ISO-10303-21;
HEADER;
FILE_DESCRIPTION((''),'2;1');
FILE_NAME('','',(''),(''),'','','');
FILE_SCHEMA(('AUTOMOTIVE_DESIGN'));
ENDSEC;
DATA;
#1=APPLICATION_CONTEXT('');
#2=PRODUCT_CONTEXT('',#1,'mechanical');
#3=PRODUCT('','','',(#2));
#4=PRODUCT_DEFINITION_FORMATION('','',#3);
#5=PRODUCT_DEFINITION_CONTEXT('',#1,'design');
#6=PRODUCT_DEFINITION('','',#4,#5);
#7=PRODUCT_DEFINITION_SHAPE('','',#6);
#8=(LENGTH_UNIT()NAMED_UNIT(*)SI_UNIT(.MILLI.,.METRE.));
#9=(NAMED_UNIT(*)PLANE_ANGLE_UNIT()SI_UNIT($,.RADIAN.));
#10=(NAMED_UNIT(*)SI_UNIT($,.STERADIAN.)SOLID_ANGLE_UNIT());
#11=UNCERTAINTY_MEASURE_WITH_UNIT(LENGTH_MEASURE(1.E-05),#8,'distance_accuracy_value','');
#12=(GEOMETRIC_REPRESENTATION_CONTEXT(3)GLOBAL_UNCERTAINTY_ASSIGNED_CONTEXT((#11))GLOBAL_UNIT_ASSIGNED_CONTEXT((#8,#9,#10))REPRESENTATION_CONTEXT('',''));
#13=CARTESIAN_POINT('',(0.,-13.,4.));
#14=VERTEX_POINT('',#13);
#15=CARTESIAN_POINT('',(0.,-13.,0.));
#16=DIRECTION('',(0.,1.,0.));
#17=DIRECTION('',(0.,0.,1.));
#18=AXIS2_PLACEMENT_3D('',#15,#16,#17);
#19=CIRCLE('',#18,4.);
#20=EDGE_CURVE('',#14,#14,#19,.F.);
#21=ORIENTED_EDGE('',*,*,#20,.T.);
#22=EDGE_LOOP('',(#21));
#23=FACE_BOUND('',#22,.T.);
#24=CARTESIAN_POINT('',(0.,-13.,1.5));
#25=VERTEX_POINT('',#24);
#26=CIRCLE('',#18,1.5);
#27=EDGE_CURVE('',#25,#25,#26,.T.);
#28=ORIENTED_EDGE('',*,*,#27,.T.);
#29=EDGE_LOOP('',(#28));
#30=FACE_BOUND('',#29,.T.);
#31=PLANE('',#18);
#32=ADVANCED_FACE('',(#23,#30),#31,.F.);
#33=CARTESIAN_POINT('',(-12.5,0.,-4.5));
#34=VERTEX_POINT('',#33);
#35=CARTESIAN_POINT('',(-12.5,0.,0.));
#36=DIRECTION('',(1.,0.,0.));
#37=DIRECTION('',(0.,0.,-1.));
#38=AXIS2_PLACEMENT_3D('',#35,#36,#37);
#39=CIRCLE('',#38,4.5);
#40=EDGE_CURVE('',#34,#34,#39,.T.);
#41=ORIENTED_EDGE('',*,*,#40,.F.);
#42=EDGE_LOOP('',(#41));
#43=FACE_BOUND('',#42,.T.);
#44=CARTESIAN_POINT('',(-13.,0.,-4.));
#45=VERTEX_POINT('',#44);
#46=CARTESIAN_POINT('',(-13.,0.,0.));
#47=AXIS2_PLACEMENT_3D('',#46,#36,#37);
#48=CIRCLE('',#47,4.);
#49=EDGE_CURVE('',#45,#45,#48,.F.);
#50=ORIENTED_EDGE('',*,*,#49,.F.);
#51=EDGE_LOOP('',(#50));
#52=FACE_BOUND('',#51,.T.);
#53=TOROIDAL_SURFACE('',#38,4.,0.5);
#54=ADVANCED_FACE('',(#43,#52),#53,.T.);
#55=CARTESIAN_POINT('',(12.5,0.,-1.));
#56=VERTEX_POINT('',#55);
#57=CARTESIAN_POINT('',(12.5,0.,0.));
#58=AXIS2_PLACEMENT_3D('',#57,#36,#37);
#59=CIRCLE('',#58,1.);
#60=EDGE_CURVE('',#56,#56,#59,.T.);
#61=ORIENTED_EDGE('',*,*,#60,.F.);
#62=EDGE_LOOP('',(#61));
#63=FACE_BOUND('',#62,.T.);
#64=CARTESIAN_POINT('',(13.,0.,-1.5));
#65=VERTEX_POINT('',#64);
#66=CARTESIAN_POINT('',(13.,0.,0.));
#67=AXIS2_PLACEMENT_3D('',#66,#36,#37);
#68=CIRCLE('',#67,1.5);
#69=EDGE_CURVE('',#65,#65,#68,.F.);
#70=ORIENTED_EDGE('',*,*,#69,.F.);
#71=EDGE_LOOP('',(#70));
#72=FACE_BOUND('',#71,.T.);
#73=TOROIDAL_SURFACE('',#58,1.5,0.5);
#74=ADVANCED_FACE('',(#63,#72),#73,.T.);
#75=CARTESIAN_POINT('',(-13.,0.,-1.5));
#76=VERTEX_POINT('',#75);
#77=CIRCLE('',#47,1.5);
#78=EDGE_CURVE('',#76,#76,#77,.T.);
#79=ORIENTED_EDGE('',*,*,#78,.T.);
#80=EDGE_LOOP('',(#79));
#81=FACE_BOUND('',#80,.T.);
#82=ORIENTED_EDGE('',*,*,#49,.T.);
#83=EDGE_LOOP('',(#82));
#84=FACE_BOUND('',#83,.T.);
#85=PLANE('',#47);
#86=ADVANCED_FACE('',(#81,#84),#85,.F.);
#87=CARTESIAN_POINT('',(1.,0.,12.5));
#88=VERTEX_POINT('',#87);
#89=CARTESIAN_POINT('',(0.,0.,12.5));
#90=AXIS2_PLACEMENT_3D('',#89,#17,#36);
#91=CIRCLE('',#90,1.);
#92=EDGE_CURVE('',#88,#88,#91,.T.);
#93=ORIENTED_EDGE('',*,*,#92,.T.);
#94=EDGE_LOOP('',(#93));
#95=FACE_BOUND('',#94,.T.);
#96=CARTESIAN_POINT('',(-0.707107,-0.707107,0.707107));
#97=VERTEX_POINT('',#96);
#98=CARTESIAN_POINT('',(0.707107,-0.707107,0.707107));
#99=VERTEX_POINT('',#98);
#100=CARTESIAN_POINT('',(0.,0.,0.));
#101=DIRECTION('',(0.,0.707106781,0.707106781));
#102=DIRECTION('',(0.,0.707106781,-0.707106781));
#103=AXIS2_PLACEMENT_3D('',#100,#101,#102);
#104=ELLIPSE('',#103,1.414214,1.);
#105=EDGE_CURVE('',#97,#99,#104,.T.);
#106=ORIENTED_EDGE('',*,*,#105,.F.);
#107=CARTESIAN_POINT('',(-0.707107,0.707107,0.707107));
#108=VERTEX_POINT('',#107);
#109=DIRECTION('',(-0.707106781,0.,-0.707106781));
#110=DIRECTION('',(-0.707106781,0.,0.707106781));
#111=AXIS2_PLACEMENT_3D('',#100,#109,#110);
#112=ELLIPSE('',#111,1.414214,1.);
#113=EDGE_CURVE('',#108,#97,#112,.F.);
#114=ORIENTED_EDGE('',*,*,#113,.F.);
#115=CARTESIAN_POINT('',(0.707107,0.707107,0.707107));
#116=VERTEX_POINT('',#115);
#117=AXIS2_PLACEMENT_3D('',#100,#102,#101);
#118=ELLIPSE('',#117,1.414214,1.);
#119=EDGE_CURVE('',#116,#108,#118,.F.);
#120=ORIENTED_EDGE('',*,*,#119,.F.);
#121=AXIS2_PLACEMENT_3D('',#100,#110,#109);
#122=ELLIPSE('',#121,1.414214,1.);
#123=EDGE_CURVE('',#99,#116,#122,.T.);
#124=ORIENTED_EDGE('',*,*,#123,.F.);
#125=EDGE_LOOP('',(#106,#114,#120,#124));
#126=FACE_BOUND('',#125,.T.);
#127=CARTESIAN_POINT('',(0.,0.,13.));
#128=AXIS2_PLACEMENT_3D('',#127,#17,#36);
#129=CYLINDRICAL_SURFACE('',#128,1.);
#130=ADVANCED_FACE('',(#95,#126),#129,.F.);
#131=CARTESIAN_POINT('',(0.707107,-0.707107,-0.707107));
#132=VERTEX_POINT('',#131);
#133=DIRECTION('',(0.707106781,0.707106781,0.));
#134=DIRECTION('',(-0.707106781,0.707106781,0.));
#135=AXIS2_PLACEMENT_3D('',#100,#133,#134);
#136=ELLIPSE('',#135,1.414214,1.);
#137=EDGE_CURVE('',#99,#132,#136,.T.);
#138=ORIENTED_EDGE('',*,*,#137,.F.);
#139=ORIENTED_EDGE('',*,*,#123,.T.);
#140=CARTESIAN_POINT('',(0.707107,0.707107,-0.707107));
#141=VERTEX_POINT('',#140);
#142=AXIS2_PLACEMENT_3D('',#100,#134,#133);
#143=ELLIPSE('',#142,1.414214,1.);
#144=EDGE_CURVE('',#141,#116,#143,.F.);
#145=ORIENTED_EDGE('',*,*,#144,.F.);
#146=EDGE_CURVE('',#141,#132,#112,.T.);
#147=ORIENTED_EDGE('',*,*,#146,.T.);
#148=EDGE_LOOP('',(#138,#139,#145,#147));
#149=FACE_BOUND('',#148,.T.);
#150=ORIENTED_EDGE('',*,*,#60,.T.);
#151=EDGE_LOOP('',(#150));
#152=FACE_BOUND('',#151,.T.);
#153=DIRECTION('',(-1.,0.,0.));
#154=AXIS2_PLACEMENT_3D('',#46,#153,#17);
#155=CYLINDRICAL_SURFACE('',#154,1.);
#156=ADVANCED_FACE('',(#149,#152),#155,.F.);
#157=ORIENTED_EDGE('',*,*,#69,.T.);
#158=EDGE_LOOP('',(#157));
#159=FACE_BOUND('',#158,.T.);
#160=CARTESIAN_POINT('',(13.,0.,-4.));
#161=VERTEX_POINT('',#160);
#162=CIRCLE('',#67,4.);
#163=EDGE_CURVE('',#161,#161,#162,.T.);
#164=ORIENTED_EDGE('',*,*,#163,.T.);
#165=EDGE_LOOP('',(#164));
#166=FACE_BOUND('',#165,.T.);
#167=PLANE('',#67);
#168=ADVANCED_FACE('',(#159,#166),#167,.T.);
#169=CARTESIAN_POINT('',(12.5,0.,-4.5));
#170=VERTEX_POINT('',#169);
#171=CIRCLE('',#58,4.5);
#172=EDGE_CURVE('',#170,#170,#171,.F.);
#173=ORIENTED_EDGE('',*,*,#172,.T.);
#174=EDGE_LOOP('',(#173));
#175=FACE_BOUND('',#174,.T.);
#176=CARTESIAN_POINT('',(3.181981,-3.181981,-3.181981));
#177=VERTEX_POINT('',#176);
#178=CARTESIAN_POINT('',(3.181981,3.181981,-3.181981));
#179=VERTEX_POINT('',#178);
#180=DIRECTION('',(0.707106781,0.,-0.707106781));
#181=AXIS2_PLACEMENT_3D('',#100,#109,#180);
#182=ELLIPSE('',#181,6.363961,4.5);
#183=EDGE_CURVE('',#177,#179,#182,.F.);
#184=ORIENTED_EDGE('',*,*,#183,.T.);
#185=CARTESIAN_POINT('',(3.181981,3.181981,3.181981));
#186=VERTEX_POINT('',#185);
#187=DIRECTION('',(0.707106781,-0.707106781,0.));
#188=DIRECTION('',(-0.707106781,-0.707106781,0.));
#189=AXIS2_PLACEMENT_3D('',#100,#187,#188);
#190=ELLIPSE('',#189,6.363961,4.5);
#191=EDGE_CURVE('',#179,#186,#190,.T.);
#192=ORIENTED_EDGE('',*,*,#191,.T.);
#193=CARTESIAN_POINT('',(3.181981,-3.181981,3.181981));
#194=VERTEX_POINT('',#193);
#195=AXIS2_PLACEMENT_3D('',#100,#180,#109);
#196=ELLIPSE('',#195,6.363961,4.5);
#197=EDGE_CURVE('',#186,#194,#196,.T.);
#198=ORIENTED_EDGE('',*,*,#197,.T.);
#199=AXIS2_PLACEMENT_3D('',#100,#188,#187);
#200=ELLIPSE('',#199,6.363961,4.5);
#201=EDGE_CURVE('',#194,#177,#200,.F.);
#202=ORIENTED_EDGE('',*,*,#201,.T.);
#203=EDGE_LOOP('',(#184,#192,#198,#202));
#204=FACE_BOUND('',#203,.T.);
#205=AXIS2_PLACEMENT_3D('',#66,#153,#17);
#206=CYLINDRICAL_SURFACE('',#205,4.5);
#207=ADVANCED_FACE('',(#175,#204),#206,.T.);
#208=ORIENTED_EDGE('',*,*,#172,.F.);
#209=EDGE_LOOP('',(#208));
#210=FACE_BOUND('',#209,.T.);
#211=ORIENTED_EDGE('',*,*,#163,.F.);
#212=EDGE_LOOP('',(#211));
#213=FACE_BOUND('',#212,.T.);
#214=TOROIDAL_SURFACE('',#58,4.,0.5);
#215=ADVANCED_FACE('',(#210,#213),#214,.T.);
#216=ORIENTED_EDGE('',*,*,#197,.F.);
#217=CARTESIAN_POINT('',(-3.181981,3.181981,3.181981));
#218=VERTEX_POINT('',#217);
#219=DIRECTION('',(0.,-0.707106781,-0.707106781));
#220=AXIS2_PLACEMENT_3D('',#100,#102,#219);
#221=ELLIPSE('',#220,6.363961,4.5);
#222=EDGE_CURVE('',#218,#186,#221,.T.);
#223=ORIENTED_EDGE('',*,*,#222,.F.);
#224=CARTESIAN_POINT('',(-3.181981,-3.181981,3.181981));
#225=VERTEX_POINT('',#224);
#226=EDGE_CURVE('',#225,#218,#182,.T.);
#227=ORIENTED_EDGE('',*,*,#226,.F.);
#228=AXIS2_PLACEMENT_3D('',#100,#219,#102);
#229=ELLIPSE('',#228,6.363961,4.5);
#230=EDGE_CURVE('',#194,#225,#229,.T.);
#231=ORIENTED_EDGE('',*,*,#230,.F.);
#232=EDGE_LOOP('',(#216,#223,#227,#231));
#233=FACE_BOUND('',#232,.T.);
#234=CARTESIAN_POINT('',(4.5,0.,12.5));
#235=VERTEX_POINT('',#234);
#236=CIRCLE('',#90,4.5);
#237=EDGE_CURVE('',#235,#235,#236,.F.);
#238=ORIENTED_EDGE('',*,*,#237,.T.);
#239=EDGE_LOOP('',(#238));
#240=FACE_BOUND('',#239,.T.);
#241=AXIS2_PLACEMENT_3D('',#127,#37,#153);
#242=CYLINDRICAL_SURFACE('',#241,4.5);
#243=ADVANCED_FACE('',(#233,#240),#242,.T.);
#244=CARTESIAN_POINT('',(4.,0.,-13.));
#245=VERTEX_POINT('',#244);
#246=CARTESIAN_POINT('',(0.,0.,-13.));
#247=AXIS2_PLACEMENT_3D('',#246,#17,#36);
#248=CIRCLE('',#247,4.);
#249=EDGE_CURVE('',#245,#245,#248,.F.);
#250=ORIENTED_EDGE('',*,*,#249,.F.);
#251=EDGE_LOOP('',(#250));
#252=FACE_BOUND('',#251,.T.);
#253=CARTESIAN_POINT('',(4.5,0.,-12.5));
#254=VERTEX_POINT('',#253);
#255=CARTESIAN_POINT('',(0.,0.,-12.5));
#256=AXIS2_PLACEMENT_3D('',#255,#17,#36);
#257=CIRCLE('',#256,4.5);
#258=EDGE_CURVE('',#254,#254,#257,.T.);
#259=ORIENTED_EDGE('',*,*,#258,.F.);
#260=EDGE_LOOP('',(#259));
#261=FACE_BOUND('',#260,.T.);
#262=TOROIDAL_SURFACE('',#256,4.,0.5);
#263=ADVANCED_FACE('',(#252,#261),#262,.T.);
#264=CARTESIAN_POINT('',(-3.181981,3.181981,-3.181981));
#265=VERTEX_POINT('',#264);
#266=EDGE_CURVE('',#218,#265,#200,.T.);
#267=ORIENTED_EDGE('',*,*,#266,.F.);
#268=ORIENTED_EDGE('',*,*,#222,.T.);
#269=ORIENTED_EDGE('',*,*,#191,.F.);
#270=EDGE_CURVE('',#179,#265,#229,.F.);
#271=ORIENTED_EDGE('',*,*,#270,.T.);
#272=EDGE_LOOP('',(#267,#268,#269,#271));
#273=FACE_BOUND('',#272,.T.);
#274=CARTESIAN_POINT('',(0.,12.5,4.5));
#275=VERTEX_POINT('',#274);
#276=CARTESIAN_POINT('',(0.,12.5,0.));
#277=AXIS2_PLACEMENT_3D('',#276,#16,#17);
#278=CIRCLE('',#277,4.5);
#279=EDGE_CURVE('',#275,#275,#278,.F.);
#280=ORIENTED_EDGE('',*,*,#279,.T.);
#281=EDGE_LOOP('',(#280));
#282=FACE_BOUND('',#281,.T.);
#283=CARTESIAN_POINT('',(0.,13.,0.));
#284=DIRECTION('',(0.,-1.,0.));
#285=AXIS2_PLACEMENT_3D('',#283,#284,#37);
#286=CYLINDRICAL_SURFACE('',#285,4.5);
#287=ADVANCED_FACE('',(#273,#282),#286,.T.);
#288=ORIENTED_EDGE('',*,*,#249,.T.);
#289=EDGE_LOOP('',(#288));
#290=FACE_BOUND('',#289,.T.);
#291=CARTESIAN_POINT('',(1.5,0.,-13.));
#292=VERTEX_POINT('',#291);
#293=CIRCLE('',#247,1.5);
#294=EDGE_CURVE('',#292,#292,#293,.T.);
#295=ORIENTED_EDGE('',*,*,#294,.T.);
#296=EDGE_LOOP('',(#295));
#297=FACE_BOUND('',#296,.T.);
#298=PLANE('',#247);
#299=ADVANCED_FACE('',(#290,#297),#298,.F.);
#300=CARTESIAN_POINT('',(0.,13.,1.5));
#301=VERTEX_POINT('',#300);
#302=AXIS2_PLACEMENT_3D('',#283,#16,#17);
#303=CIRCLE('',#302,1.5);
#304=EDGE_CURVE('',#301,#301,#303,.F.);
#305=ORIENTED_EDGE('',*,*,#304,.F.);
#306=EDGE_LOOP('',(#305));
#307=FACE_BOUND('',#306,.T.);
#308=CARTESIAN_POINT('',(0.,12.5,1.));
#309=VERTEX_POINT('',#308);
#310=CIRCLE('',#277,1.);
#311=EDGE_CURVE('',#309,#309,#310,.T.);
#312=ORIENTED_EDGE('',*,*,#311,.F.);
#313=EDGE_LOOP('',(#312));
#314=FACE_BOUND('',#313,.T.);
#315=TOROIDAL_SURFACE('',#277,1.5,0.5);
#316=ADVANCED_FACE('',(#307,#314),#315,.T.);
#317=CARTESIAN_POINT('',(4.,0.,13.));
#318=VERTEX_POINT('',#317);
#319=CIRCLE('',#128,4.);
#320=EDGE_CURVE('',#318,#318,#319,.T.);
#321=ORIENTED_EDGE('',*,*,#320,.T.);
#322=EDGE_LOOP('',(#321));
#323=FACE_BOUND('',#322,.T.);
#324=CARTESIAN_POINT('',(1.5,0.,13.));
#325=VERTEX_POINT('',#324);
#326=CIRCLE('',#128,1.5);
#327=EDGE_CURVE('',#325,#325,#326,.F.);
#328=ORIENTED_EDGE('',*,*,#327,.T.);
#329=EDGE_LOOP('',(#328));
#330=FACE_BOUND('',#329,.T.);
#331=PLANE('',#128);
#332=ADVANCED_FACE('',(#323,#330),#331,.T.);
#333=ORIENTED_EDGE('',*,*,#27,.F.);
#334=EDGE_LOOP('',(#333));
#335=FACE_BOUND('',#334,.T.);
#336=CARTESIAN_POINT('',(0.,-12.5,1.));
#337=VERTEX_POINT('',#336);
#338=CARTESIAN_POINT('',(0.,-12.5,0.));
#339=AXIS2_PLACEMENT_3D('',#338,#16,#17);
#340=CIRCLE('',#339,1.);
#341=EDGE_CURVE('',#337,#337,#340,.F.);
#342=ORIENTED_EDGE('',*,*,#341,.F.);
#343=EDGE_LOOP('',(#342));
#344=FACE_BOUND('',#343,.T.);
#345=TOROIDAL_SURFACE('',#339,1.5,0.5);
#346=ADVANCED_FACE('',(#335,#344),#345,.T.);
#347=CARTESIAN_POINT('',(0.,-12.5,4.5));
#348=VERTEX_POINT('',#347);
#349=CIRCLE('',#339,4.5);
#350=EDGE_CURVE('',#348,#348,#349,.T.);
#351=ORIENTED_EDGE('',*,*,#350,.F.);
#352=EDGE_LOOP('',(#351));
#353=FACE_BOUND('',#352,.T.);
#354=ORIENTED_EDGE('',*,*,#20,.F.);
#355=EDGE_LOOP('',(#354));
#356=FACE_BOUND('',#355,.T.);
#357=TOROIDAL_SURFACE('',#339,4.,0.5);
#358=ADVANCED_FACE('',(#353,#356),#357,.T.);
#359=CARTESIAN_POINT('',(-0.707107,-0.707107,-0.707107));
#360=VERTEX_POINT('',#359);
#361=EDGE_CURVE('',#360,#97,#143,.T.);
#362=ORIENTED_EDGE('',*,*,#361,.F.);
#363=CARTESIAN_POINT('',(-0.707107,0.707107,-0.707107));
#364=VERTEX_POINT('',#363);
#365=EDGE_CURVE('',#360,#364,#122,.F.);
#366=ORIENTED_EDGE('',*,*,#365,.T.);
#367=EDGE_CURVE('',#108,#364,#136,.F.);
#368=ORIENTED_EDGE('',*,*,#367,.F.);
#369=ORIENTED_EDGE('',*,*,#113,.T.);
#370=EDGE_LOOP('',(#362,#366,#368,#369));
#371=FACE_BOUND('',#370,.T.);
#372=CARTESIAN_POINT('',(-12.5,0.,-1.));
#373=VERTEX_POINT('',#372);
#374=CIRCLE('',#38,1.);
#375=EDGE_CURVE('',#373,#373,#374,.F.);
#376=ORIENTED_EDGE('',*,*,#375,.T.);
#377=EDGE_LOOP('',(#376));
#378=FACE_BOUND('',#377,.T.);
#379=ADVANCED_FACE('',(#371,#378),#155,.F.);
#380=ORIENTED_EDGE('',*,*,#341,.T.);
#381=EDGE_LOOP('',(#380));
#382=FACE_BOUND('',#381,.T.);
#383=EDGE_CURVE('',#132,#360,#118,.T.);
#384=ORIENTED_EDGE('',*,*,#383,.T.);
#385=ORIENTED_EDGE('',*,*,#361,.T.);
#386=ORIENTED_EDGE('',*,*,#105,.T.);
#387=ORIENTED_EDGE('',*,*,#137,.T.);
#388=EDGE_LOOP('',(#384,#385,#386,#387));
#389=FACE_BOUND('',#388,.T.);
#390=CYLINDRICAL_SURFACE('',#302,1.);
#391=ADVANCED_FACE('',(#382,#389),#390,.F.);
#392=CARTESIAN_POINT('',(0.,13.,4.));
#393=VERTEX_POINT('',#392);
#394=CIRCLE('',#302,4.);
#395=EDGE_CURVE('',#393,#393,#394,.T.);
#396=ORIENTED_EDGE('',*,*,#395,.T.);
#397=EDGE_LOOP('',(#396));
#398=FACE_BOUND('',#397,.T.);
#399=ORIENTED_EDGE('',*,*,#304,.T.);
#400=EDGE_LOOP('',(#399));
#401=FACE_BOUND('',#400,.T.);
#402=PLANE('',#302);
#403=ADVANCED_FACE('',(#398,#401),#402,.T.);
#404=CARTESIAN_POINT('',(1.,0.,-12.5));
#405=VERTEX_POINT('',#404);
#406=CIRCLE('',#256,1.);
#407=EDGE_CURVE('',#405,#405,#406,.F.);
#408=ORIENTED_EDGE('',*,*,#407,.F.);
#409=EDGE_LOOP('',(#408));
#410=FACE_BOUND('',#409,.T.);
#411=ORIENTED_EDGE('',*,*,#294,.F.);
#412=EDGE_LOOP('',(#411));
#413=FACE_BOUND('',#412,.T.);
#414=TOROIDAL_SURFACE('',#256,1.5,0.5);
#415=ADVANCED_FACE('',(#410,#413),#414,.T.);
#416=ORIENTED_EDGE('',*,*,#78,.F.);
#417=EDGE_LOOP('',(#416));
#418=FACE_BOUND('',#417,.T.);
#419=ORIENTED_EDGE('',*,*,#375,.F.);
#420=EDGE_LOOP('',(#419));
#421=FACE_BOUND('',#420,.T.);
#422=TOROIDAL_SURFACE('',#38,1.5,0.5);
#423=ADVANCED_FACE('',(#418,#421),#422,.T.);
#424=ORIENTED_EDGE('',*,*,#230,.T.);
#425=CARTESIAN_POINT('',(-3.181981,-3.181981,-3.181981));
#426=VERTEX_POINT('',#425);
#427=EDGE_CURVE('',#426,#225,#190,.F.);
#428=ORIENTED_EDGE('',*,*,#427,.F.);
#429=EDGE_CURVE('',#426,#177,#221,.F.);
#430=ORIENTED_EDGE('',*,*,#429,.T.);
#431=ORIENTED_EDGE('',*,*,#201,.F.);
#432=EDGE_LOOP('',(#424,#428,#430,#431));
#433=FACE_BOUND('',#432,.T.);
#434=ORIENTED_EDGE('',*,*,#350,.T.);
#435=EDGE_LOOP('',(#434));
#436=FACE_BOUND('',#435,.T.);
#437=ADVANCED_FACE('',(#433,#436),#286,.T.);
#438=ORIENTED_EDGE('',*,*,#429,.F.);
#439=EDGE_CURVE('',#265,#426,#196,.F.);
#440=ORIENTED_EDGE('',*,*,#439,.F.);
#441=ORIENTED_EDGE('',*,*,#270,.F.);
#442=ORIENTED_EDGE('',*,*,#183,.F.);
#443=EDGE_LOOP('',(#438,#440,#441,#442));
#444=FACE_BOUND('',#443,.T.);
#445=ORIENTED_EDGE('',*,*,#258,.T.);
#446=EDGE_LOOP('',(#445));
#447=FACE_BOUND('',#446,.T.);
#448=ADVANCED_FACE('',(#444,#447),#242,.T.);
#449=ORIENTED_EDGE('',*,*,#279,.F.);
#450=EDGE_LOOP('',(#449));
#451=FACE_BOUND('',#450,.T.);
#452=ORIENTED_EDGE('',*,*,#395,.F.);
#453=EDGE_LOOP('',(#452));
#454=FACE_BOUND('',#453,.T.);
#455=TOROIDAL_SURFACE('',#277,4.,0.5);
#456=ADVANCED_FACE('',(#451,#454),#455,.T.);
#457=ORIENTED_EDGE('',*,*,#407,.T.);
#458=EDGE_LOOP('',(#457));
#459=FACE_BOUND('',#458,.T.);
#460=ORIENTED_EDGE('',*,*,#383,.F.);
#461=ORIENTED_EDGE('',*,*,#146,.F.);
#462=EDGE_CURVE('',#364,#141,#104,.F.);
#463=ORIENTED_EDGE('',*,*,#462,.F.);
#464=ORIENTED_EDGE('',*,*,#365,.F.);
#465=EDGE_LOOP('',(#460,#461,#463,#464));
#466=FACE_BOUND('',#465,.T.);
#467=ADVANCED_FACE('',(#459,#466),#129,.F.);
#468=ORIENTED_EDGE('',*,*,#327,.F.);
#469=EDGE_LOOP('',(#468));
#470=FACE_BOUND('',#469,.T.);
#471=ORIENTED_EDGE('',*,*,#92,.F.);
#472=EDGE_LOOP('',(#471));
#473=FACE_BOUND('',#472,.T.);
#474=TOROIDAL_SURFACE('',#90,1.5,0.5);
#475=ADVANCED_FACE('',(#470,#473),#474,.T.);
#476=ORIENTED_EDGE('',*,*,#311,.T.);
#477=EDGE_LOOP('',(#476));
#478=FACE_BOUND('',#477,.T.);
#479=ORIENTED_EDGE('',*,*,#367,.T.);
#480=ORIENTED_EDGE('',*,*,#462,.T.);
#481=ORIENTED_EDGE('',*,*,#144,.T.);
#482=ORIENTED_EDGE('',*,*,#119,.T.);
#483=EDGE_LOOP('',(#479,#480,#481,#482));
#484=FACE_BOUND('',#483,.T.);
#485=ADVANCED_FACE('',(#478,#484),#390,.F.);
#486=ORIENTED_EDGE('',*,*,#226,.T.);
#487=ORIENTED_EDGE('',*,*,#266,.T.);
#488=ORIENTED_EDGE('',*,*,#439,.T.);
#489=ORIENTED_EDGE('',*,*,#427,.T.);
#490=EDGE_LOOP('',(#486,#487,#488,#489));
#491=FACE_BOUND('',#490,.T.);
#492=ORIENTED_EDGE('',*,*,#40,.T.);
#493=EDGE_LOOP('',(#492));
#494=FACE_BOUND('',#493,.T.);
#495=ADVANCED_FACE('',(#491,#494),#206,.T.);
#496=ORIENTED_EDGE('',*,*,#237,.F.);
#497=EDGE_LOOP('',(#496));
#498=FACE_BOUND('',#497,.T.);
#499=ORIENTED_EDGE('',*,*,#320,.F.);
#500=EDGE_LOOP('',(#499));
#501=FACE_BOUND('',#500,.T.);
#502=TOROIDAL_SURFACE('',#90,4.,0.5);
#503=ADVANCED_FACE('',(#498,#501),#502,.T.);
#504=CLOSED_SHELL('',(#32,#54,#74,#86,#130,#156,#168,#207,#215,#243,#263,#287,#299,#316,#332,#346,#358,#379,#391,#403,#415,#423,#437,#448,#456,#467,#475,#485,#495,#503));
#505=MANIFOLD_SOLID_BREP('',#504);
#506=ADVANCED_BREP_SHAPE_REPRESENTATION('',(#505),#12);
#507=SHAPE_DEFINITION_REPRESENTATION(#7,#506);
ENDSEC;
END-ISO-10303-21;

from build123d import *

# Parameters (mm, degrees)
SKETCH2_R             = 4.5
BOSS_EXTRUDE4_DEPTH   = 13
SKETCH6_R             = 4.5
BOSS_EXTRUDE5_DEPTH   = 13
SKETCH7_R             = 4.5
BOSS_EXTRUDE6_DEPTH   = 13
F_2_0MM_DOWEL_HOLE1_D = 2
F_2_0MM_DOWEL_HOLE2_D = 2
F_2_0MM_DOWEL_HOLE3_D = 2
FILLET1_R             = 0.5


with BuildPart() as part:
    # Sketch2 → Boss-Extrude4 (new, symmetric)
    with BuildSketch(Plane.XY):
        with Locations(Location((0, 0, 0), (0, 0, 180))):
            Circle(SKETCH2_R)
    extrude(amount=BOSS_EXTRUDE4_DEPTH, both=True)

    # Sketch6 → Boss-Extrude5 (add, symmetric)
    with BuildSketch(Plane(origin=(0, 0, 0), x_dir=(1, 0, 0), z_dir=(0, 1, 0))):
        Circle(SKETCH6_R)
    extrude(amount=BOSS_EXTRUDE5_DEPTH, both=True)

    # Sketch7 → Boss-Extrude6 (add, symmetric)
    with BuildSketch(Plane(origin=(0, 0, 0), x_dir=(0, 0, -1), z_dir=(1, 0, 0))):
        with Locations(Location((0, 0, 0), (0, 0, 225))):
            Circle(SKETCH7_R)
    extrude(amount=BOSS_EXTRUDE6_DEPTH, both=True)

    # Ø2.0mm Dowel Hole1 (through all)
    with Locations(Plane(origin=(0, 13, 0), x_dir=(1, 0, 0), z_dir=(0, 1, 0))):
        with Locations((0, 0)):
            Hole(F_2_0MM_DOWEL_HOLE1_D / 2)

    # Ø2.0mm Dowel Hole2 (through all)
    with Locations(Plane.ZY.offset(13)):
        with Locations((0, 0)):
            Hole(F_2_0MM_DOWEL_HOLE2_D / 2)

    # Ø2.0mm Dowel Hole3 (through all)
    with Locations(Plane.XY.offset(13)):
        with Locations((0, 0)):
            Hole(F_2_0MM_DOWEL_HOLE3_D / 2)

    # Fillet1
    fillet1_edges = [part.edges().sort_by_distance(p)[0] for p in [
        (4.5, 0, -13),
        (-13, 3.181980515, -3.181980515),
        (13, 3.181980515, -3.181980515),
        (1, 13, 0),
        (1, -13, 0),
        (4.5, 0, 13),
        (13, 0, 1),
        (-13, 0, 1),
        (1, 0, -13),
        (1, 0, 13),
        (-4.5, -13, 0),
        (-4.5, 13, 0),
    ]]
    fillet(fillet1_edges, radius=FILLET1_R)


solid = part.part
